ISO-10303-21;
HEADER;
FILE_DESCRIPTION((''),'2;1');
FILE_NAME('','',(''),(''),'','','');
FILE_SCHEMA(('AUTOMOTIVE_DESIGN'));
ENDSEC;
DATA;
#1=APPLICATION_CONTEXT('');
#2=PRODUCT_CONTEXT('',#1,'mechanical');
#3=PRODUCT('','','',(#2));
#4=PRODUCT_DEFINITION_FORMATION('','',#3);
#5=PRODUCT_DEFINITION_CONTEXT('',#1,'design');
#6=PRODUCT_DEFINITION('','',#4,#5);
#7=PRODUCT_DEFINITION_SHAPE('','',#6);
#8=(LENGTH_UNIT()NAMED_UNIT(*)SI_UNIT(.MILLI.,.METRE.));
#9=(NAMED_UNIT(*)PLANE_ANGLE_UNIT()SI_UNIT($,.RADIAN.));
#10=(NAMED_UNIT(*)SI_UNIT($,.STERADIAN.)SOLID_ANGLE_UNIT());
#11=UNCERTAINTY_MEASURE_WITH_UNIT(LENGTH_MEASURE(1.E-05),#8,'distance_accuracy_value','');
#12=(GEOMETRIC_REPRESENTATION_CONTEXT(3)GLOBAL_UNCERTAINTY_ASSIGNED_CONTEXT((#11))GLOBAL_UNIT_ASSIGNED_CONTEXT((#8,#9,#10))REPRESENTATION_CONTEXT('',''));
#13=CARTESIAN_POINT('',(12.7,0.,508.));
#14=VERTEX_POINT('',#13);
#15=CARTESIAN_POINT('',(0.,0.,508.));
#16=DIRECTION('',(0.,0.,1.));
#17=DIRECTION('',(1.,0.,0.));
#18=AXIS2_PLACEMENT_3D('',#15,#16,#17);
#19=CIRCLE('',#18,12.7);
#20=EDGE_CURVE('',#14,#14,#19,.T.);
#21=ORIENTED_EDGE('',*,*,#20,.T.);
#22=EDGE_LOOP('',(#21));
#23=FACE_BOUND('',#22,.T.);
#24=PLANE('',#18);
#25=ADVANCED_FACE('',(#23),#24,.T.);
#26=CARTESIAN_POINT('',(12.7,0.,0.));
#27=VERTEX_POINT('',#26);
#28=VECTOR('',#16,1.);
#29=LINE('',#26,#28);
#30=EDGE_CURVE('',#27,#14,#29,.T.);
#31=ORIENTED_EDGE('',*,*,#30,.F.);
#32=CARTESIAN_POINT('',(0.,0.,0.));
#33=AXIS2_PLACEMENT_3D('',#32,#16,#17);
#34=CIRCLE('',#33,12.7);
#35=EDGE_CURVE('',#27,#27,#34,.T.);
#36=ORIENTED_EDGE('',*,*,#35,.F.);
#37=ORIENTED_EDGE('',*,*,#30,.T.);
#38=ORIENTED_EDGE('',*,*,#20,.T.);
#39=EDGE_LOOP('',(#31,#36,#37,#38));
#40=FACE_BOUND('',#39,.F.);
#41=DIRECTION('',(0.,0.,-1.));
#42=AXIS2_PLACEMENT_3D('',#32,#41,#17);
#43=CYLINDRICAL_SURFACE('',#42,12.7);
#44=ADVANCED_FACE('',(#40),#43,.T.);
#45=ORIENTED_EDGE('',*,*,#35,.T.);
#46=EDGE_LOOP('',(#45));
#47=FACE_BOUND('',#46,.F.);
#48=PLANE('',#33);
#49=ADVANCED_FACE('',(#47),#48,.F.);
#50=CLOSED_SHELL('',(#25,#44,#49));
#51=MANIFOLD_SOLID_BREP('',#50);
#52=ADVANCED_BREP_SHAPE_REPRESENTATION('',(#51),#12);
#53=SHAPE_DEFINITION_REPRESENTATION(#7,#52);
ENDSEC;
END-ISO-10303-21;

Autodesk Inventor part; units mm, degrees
ref_plane "YZ Plane" through (0, 0, 0) normal (1, 0, 0) x (0, 1, 0)
ref_plane "XZ Plane" through (0, 0, 0) normal (0, 1, 0) x (-1, 0, 0)
ref_plane "XY Plane" through (0, 0, 0) normal (0, 0, 1) x (1, 0, 0)
sketch "Sketch1" plane through (0, 0, 0) normal (0, 0, 1) x (1, 0, 0)
  circle A0 centre (0, 0) radius 12.7
  dimension "d0" = 25.4
extrude "Extrusion1" add sketch "Sketch1" along normal blind 508
properties part number "haz"
